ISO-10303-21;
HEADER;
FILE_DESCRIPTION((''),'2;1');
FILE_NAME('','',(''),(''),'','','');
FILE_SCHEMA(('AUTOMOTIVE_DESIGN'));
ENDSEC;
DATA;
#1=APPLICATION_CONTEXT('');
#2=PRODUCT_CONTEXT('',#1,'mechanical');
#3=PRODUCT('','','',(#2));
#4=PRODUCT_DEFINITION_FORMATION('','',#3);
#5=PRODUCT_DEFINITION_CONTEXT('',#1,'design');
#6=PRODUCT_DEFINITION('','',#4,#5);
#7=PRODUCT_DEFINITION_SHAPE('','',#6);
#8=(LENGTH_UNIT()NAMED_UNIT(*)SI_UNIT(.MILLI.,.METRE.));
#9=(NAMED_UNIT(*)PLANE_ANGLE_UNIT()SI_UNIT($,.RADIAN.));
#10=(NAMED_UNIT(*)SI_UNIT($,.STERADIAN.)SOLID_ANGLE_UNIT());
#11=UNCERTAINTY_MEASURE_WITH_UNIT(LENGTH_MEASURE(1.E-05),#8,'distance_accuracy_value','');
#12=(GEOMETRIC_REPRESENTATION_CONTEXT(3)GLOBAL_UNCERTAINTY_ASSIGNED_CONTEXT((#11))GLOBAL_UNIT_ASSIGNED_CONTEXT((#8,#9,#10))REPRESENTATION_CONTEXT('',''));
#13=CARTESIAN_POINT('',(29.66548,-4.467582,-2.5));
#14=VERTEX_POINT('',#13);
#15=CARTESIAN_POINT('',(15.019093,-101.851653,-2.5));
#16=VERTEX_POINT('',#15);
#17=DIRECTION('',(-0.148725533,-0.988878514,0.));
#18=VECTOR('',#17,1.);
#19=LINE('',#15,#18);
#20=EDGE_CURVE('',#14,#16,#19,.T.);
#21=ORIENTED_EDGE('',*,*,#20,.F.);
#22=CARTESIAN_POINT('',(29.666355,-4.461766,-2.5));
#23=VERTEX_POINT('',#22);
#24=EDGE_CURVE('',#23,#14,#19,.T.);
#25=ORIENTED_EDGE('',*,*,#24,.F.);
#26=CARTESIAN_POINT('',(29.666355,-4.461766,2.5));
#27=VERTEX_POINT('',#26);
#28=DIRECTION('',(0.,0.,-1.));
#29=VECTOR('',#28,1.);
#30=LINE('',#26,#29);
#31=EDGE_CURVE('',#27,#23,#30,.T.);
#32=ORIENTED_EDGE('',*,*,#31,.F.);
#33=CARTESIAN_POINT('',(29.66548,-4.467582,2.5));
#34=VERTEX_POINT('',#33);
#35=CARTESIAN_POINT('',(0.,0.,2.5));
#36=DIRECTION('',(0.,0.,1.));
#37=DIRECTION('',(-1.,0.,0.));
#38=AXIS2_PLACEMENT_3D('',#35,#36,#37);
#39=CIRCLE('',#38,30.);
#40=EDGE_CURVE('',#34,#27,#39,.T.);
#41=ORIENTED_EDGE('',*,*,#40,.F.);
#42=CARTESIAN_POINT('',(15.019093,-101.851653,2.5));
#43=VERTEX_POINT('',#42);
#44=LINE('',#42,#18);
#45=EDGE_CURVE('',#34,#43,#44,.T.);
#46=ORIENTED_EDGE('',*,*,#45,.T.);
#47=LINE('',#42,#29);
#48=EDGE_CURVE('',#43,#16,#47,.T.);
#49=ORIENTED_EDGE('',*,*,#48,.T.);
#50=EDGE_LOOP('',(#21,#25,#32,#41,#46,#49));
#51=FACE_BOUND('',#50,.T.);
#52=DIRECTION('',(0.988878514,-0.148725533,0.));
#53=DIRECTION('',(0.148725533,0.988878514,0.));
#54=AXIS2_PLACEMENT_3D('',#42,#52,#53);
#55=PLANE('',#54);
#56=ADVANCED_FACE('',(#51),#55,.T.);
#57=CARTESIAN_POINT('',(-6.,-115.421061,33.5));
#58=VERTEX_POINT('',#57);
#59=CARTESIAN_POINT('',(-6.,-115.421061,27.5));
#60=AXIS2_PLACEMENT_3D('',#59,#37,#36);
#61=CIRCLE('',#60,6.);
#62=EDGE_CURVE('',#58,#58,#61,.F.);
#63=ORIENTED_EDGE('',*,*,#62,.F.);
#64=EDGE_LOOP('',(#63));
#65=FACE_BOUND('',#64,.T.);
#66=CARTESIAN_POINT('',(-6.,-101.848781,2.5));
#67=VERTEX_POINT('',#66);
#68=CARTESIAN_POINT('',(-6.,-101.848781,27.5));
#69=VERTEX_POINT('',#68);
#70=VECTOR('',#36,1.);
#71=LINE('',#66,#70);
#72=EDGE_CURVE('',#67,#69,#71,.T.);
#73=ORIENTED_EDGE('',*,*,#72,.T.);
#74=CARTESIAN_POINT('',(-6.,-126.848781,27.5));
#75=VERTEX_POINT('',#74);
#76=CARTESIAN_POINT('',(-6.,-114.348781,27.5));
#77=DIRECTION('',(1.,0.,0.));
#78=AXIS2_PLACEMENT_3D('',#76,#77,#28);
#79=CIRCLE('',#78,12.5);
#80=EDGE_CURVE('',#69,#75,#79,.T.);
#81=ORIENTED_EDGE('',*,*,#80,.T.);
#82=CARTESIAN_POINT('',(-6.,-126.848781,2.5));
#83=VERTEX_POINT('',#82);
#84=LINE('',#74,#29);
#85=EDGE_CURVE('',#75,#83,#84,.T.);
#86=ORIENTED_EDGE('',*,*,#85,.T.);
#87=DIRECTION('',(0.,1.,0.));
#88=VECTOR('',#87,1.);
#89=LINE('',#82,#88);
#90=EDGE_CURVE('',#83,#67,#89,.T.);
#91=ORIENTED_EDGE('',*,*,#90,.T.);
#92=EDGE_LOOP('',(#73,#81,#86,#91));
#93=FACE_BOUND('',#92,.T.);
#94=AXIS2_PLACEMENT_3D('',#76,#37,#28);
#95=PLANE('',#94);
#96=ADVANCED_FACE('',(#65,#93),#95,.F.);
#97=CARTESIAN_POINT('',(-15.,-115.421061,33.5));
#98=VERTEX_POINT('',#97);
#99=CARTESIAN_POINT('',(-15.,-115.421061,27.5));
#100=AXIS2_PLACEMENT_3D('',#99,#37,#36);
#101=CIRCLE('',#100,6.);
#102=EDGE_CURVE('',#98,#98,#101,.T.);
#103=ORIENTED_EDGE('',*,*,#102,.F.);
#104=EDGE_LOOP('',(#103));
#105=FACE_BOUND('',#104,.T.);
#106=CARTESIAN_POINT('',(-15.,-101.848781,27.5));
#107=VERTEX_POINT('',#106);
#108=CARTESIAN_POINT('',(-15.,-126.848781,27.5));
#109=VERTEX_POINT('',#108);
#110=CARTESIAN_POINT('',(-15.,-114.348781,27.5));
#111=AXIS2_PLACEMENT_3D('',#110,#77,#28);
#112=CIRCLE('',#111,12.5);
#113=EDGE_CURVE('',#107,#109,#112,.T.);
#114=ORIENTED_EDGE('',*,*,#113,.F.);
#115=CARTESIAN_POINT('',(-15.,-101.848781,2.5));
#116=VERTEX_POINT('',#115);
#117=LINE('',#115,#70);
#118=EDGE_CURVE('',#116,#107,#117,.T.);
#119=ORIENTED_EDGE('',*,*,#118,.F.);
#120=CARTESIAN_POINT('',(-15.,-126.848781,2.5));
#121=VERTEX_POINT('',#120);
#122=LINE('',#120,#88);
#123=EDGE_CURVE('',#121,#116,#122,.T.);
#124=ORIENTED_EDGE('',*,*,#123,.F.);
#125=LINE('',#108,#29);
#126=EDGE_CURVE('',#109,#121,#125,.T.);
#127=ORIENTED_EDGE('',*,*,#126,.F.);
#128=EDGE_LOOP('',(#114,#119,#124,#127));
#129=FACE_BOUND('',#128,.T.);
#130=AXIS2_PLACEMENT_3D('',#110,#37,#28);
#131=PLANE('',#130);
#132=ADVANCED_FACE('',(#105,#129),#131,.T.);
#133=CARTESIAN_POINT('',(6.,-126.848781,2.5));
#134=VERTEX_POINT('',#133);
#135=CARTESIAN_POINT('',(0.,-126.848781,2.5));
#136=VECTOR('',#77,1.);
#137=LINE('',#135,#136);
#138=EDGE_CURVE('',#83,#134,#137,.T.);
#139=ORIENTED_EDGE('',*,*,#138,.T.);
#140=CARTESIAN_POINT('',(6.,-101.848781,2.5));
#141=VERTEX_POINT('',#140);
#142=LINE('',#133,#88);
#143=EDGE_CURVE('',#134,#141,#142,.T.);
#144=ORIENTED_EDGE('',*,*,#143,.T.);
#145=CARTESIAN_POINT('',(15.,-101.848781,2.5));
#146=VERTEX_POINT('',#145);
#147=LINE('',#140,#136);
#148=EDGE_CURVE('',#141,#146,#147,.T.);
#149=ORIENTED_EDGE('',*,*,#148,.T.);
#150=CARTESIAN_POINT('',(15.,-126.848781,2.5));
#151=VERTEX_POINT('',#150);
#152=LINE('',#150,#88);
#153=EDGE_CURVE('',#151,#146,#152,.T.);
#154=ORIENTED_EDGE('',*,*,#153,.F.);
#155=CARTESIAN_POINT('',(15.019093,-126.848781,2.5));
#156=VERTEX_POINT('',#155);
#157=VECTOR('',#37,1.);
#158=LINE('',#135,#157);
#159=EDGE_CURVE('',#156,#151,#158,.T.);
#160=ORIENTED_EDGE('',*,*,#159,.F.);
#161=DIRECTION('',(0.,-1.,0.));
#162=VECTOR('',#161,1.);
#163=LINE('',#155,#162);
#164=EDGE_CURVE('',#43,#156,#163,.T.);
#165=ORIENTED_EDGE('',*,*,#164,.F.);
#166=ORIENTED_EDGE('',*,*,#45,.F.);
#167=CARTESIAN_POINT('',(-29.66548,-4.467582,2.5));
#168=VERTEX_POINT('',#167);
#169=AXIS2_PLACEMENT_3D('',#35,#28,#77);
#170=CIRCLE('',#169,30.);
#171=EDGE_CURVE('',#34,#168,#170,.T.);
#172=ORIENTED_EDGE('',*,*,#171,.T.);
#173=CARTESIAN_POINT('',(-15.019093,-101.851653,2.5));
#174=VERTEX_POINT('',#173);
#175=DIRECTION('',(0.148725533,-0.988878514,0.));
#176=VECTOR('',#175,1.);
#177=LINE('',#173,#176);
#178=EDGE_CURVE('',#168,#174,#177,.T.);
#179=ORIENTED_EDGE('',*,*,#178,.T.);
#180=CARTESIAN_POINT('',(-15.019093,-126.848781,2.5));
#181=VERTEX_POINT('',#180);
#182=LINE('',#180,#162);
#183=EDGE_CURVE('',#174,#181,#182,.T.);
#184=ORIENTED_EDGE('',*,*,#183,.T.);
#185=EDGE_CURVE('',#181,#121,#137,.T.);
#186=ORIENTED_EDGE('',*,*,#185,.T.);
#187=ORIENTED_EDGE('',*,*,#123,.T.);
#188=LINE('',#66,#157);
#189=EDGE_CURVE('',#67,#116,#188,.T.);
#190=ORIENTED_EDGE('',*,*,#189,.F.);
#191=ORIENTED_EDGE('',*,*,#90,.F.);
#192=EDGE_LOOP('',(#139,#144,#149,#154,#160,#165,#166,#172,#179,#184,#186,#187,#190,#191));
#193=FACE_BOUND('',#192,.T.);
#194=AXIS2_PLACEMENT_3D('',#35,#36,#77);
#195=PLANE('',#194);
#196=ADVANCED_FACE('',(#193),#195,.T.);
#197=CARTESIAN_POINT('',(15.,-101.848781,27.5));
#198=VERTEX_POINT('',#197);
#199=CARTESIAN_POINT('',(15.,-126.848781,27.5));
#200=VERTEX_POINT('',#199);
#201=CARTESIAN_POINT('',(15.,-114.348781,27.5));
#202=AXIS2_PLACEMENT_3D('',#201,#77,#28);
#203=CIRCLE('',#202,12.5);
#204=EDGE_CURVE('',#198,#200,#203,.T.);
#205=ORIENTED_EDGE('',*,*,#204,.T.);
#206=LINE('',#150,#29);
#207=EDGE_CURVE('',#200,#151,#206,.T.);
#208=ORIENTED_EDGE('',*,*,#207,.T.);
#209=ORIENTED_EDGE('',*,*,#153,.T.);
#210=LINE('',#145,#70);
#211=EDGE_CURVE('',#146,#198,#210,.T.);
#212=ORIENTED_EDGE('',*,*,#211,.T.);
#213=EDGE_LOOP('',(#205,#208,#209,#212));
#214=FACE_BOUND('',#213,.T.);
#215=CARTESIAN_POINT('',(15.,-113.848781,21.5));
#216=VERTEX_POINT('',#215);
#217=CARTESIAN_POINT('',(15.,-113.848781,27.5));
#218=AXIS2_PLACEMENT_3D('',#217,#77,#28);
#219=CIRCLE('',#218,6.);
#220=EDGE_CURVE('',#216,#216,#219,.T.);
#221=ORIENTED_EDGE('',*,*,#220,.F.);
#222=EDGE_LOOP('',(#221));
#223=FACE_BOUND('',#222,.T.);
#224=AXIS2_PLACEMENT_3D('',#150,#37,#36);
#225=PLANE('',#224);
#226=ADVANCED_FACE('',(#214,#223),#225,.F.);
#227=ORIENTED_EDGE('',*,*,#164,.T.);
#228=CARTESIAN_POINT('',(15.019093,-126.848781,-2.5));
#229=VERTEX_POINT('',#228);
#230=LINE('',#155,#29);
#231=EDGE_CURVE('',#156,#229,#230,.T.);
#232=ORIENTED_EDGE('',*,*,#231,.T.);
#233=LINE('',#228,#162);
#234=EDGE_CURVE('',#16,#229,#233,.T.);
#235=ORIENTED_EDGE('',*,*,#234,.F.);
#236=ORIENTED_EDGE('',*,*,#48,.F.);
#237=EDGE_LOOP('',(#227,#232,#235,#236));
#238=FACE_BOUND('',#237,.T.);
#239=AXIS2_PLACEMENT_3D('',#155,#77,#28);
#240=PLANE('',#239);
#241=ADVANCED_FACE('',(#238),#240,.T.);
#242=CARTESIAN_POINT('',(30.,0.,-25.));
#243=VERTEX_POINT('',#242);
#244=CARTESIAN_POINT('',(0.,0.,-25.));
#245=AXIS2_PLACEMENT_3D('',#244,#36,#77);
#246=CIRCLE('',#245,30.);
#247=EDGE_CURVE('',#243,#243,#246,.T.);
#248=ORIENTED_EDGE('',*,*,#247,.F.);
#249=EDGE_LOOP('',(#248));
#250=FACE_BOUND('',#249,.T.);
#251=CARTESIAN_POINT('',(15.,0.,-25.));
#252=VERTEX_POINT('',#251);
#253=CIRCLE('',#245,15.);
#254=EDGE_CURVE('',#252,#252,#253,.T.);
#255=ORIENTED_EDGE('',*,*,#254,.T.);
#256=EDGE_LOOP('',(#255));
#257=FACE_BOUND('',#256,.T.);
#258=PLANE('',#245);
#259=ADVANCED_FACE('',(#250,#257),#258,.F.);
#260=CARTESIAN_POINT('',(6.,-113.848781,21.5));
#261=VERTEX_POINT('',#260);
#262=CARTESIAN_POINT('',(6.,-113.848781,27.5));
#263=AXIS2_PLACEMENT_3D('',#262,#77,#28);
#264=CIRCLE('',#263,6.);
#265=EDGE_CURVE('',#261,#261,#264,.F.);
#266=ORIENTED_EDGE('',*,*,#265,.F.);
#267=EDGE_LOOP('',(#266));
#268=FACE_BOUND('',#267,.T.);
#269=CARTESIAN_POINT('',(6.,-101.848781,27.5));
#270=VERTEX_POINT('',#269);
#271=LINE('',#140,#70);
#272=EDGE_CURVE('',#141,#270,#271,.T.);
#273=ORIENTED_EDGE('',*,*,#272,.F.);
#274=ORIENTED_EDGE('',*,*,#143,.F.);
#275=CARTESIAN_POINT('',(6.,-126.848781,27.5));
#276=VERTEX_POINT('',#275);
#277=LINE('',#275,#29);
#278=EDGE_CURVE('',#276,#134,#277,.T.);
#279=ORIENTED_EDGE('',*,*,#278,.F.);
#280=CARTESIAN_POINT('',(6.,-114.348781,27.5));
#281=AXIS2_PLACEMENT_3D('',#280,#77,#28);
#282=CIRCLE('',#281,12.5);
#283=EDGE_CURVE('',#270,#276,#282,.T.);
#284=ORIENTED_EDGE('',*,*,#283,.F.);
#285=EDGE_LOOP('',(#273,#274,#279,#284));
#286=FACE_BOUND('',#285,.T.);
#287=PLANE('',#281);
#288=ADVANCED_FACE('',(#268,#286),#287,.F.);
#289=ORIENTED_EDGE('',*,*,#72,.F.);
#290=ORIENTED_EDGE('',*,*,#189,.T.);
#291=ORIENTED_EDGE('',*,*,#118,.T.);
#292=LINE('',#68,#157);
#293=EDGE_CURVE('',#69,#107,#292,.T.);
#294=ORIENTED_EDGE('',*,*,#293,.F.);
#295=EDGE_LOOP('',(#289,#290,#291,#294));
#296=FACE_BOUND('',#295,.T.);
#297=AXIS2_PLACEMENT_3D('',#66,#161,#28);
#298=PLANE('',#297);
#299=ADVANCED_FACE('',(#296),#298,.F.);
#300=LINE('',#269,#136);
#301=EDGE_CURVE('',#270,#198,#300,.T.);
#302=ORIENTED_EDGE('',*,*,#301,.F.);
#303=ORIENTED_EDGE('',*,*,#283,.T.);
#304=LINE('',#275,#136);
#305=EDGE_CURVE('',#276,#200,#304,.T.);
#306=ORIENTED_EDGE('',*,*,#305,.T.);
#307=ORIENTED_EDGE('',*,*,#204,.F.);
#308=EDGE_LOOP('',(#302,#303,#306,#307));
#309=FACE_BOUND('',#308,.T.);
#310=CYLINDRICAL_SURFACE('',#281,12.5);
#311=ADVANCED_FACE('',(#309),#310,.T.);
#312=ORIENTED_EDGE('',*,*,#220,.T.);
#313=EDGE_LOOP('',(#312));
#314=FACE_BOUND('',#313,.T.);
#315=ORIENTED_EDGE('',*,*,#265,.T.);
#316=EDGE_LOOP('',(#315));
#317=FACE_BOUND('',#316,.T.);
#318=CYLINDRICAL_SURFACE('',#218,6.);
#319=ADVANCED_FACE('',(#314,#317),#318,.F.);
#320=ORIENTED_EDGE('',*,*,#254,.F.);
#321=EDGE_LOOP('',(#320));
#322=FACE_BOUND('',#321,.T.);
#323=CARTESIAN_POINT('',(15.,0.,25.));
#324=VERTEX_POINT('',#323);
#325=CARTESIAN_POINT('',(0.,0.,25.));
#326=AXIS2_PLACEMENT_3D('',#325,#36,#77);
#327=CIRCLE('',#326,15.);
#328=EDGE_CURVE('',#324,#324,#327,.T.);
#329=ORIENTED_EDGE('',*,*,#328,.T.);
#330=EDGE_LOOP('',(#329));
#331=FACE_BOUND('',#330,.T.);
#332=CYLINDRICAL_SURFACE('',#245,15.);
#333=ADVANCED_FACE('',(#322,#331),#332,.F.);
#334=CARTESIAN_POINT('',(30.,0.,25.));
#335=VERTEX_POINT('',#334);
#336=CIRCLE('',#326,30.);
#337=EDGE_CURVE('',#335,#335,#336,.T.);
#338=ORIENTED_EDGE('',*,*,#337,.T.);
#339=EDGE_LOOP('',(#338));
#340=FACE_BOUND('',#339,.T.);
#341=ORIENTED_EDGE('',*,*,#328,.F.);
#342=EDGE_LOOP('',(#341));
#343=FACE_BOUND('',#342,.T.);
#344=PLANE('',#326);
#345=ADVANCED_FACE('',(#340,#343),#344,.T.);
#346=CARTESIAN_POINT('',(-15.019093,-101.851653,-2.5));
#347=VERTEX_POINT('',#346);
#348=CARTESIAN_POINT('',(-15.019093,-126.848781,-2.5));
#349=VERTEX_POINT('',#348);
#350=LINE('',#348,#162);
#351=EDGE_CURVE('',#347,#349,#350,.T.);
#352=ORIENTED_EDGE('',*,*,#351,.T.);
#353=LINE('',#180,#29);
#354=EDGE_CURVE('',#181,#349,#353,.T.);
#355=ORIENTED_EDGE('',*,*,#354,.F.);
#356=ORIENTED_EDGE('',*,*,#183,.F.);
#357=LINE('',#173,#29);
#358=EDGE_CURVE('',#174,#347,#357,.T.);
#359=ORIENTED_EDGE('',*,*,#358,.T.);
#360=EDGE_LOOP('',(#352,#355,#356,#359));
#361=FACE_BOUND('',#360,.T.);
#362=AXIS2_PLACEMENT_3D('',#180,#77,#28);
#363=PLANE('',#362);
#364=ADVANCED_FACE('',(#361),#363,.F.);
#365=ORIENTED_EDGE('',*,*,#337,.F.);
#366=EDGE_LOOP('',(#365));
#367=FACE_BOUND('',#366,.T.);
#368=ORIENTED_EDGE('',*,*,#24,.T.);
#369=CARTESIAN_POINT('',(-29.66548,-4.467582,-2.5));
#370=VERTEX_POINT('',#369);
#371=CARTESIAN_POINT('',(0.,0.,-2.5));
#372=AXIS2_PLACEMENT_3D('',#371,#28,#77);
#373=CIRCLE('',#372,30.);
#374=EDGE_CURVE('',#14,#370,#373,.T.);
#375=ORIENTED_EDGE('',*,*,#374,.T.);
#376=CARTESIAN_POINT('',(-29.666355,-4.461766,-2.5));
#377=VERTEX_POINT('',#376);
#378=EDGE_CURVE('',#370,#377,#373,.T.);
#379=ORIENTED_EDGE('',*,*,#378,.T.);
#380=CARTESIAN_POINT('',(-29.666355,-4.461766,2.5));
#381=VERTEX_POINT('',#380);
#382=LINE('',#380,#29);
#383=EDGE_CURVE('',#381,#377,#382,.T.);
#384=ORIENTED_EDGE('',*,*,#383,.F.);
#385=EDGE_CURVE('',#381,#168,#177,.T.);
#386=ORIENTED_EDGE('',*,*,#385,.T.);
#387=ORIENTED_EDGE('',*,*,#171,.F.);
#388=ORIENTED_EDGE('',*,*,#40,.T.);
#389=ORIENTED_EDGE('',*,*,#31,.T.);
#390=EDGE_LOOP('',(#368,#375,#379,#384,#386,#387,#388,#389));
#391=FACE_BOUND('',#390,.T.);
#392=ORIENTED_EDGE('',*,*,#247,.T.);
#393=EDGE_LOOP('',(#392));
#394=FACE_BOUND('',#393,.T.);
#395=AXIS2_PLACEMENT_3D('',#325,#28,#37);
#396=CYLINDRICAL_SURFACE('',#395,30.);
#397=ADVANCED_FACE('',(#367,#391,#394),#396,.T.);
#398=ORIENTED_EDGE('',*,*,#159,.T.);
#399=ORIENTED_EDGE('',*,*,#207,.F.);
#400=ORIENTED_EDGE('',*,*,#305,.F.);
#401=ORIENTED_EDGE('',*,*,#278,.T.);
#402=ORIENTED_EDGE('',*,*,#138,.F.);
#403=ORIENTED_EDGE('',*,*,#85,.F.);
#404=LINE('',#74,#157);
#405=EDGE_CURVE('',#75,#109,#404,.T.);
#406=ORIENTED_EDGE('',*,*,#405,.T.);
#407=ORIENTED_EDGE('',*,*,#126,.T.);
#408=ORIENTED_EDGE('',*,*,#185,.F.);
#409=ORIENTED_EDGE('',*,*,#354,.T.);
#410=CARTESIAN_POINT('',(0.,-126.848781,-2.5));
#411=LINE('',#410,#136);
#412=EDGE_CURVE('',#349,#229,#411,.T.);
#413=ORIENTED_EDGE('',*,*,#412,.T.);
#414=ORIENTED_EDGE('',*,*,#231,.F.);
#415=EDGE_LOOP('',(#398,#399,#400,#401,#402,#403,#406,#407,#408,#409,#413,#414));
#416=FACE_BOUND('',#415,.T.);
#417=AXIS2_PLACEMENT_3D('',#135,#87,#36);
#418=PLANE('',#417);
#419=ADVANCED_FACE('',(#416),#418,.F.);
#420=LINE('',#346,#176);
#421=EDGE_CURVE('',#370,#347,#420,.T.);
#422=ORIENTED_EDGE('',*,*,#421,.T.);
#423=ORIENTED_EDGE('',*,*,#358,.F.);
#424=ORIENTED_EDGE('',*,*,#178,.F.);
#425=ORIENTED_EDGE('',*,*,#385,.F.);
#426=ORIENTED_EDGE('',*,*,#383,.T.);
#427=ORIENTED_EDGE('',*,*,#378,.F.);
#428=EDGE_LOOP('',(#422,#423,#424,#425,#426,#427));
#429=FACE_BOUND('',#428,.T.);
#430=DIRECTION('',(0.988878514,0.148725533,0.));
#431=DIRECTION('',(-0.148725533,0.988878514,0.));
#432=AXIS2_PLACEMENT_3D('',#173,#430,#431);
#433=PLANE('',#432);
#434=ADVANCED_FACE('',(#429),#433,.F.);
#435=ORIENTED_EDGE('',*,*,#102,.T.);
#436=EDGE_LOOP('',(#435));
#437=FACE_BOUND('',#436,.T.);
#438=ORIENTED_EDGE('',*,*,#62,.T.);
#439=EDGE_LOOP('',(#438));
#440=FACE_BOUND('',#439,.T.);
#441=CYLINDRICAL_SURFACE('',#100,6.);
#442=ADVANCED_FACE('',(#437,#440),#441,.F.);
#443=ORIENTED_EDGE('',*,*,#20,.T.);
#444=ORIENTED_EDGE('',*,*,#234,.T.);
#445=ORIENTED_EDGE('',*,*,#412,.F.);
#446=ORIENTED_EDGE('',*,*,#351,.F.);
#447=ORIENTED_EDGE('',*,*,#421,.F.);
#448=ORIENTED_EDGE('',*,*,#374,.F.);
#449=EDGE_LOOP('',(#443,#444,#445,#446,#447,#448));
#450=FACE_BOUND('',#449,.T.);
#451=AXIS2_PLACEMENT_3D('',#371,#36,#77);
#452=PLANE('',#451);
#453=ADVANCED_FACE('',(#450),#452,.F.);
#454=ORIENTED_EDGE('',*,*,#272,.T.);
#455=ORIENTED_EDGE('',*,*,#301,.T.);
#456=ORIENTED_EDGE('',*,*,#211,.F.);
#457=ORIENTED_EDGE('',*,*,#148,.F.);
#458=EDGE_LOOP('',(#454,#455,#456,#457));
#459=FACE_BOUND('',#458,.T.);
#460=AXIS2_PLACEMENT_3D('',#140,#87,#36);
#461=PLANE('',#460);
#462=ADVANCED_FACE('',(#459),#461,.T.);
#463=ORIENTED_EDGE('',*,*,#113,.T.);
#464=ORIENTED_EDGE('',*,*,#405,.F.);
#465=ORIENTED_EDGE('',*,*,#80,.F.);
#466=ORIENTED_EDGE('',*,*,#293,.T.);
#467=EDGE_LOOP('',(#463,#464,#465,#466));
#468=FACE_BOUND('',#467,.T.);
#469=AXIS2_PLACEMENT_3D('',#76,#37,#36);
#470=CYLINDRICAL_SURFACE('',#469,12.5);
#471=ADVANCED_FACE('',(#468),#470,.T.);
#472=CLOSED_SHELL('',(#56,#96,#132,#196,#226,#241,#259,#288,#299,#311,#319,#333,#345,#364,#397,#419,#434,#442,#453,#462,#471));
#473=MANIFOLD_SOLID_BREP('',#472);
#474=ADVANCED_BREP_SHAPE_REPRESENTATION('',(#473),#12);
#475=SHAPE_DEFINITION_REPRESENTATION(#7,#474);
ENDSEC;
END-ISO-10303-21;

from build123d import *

# Parameters (mm, degrees)
SKETCH1_R                   = 30
BOSS_EXTRUDE1_DEPTH         = 25
SKETCH2_R                   = 15
CUT_EXTRUDE1_DEPTH          = 50
BOSS_EXTRUDE2_DEPTH         = 2.5
BOSS_EXTRUDE5_DEPTH         = 9
F_12_0MM_DOWEL_HOLE2_D      = 12
F_12_0MM_DOWEL_HOLE4_REACH  = 47
F_12_0MM_DOWEL_HOLE4_BORE_R = 6


with BuildPart() as part:
    # Sketch1 → Boss-Extrude1 (new body, symmetric)
    with BuildSketch(Plane.XY):
        Circle(SKETCH1_R)
    extrude(amount=BOSS_EXTRUDE1_DEPTH, both=True)

    # Sketch2 → Cut-Extrude1 (cut)
    with BuildSketch(Plane.XY.offset(25)):
        Circle(SKETCH2_R)
    extrude(amount=-CUT_EXTRUDE1_DEPTH, mode=Mode.SUBTRACT)

    # Sketch5 → Boss-Extrude2 (add, symmetric)
    with BuildSketch(Plane.XY):
        with BuildLine():
            Line((0, -126.848781463), (15, -126.848781463))
            Line((15, -126.848781463), (15, -101.848781463))
            Line((15, -101.848781463), (29.665480102, -4.467582154))
            ThreePointArc((29.665480102, -4.467582154), (-0.002940824, -29.999999856), (-29.666355424, -4.461766004))
            Line((-29.666355424, -4.461766004), (-15.019093199, -101.851653046))
            Line((-15.019093199, -101.851653046), (-15.019093199, -126.848781463))
            Line((-15.019093199, -126.848781463), (0, -126.848781463))
        make_face()
    boss_extrude2 = extrude(amount=BOSS_EXTRUDE2_DEPTH, both=True)

    # Sketch7 → Boss-Extrude5 (add)
    with BuildSketch(Plane(origin=(15, 0, 0), x_dir=(0, 0, -1), z_dir=(1, 0, 0))):
        with BuildLine():
            Line((-2.5, -101.848781463), (-27.5, -101.848781463))
            ThreePointArc((-27.5, -101.848781463), (-40, -114.348781463), (-27.5, -126.848781463))
            Line((-27.5, -126.848781463), (-2.5, -126.848781463))
            Line((-2.5, -126.848781463), (-2.5, -101.848781463))
        make_face()
    boss_extrude5 = extrude(amount=-BOSS_EXTRUDE5_DEPTH)

    # Ø12.0mm Dowel Hole2 (through all)
    with Locations(Plane(origin=(15, 0, 0), x_dir=(0, 0, -1), z_dir=(1, 0, 0))):
        with Locations((-27.5, -113.848781463)):
            Hole(F_12_0MM_DOWEL_HOLE2_D / 2)

    # Mirror1: Boss-Extrude2, Boss-Extrude5 across plane
    add(boss_extrude2.mirror(Plane(origin=(0, 0, 0), x_dir=(0, 0, 1), z_dir=(1, 0, 0))))
    add(boss_extrude5.mirror(Plane(origin=(0, 0, 0), x_dir=(0, 0, 1), z_dir=(1, 0, 0))))

    # Ø12.0mm Dowel Hole4 bore → Ø12.0mm Dowel Hole4 (cut, up to next)
    with BuildSketch(Plane.ZY.offset(15), mode=Mode.PRIVATE) as f_12_0mm_dowel_hole4_sk1:
        with Locations((27.5, -115.421061469)):
            Circle(F_12_0MM_DOWEL_HOLE4_BORE_R)
    f_12_0mm_dowel_hole4_tool1 = extrude(f_12_0mm_dowel_hole4_sk1.sketch, amount=-F_12_0MM_DOWEL_HOLE4_REACH, mode=Mode.PRIVATE) & part.part
    add(f_12_0mm_dowel_hole4_tool1.solids().sort_by_distance((-15, -115.421061, 27.5))[0], mode=Mode.SUBTRACT)


solid = part.part
